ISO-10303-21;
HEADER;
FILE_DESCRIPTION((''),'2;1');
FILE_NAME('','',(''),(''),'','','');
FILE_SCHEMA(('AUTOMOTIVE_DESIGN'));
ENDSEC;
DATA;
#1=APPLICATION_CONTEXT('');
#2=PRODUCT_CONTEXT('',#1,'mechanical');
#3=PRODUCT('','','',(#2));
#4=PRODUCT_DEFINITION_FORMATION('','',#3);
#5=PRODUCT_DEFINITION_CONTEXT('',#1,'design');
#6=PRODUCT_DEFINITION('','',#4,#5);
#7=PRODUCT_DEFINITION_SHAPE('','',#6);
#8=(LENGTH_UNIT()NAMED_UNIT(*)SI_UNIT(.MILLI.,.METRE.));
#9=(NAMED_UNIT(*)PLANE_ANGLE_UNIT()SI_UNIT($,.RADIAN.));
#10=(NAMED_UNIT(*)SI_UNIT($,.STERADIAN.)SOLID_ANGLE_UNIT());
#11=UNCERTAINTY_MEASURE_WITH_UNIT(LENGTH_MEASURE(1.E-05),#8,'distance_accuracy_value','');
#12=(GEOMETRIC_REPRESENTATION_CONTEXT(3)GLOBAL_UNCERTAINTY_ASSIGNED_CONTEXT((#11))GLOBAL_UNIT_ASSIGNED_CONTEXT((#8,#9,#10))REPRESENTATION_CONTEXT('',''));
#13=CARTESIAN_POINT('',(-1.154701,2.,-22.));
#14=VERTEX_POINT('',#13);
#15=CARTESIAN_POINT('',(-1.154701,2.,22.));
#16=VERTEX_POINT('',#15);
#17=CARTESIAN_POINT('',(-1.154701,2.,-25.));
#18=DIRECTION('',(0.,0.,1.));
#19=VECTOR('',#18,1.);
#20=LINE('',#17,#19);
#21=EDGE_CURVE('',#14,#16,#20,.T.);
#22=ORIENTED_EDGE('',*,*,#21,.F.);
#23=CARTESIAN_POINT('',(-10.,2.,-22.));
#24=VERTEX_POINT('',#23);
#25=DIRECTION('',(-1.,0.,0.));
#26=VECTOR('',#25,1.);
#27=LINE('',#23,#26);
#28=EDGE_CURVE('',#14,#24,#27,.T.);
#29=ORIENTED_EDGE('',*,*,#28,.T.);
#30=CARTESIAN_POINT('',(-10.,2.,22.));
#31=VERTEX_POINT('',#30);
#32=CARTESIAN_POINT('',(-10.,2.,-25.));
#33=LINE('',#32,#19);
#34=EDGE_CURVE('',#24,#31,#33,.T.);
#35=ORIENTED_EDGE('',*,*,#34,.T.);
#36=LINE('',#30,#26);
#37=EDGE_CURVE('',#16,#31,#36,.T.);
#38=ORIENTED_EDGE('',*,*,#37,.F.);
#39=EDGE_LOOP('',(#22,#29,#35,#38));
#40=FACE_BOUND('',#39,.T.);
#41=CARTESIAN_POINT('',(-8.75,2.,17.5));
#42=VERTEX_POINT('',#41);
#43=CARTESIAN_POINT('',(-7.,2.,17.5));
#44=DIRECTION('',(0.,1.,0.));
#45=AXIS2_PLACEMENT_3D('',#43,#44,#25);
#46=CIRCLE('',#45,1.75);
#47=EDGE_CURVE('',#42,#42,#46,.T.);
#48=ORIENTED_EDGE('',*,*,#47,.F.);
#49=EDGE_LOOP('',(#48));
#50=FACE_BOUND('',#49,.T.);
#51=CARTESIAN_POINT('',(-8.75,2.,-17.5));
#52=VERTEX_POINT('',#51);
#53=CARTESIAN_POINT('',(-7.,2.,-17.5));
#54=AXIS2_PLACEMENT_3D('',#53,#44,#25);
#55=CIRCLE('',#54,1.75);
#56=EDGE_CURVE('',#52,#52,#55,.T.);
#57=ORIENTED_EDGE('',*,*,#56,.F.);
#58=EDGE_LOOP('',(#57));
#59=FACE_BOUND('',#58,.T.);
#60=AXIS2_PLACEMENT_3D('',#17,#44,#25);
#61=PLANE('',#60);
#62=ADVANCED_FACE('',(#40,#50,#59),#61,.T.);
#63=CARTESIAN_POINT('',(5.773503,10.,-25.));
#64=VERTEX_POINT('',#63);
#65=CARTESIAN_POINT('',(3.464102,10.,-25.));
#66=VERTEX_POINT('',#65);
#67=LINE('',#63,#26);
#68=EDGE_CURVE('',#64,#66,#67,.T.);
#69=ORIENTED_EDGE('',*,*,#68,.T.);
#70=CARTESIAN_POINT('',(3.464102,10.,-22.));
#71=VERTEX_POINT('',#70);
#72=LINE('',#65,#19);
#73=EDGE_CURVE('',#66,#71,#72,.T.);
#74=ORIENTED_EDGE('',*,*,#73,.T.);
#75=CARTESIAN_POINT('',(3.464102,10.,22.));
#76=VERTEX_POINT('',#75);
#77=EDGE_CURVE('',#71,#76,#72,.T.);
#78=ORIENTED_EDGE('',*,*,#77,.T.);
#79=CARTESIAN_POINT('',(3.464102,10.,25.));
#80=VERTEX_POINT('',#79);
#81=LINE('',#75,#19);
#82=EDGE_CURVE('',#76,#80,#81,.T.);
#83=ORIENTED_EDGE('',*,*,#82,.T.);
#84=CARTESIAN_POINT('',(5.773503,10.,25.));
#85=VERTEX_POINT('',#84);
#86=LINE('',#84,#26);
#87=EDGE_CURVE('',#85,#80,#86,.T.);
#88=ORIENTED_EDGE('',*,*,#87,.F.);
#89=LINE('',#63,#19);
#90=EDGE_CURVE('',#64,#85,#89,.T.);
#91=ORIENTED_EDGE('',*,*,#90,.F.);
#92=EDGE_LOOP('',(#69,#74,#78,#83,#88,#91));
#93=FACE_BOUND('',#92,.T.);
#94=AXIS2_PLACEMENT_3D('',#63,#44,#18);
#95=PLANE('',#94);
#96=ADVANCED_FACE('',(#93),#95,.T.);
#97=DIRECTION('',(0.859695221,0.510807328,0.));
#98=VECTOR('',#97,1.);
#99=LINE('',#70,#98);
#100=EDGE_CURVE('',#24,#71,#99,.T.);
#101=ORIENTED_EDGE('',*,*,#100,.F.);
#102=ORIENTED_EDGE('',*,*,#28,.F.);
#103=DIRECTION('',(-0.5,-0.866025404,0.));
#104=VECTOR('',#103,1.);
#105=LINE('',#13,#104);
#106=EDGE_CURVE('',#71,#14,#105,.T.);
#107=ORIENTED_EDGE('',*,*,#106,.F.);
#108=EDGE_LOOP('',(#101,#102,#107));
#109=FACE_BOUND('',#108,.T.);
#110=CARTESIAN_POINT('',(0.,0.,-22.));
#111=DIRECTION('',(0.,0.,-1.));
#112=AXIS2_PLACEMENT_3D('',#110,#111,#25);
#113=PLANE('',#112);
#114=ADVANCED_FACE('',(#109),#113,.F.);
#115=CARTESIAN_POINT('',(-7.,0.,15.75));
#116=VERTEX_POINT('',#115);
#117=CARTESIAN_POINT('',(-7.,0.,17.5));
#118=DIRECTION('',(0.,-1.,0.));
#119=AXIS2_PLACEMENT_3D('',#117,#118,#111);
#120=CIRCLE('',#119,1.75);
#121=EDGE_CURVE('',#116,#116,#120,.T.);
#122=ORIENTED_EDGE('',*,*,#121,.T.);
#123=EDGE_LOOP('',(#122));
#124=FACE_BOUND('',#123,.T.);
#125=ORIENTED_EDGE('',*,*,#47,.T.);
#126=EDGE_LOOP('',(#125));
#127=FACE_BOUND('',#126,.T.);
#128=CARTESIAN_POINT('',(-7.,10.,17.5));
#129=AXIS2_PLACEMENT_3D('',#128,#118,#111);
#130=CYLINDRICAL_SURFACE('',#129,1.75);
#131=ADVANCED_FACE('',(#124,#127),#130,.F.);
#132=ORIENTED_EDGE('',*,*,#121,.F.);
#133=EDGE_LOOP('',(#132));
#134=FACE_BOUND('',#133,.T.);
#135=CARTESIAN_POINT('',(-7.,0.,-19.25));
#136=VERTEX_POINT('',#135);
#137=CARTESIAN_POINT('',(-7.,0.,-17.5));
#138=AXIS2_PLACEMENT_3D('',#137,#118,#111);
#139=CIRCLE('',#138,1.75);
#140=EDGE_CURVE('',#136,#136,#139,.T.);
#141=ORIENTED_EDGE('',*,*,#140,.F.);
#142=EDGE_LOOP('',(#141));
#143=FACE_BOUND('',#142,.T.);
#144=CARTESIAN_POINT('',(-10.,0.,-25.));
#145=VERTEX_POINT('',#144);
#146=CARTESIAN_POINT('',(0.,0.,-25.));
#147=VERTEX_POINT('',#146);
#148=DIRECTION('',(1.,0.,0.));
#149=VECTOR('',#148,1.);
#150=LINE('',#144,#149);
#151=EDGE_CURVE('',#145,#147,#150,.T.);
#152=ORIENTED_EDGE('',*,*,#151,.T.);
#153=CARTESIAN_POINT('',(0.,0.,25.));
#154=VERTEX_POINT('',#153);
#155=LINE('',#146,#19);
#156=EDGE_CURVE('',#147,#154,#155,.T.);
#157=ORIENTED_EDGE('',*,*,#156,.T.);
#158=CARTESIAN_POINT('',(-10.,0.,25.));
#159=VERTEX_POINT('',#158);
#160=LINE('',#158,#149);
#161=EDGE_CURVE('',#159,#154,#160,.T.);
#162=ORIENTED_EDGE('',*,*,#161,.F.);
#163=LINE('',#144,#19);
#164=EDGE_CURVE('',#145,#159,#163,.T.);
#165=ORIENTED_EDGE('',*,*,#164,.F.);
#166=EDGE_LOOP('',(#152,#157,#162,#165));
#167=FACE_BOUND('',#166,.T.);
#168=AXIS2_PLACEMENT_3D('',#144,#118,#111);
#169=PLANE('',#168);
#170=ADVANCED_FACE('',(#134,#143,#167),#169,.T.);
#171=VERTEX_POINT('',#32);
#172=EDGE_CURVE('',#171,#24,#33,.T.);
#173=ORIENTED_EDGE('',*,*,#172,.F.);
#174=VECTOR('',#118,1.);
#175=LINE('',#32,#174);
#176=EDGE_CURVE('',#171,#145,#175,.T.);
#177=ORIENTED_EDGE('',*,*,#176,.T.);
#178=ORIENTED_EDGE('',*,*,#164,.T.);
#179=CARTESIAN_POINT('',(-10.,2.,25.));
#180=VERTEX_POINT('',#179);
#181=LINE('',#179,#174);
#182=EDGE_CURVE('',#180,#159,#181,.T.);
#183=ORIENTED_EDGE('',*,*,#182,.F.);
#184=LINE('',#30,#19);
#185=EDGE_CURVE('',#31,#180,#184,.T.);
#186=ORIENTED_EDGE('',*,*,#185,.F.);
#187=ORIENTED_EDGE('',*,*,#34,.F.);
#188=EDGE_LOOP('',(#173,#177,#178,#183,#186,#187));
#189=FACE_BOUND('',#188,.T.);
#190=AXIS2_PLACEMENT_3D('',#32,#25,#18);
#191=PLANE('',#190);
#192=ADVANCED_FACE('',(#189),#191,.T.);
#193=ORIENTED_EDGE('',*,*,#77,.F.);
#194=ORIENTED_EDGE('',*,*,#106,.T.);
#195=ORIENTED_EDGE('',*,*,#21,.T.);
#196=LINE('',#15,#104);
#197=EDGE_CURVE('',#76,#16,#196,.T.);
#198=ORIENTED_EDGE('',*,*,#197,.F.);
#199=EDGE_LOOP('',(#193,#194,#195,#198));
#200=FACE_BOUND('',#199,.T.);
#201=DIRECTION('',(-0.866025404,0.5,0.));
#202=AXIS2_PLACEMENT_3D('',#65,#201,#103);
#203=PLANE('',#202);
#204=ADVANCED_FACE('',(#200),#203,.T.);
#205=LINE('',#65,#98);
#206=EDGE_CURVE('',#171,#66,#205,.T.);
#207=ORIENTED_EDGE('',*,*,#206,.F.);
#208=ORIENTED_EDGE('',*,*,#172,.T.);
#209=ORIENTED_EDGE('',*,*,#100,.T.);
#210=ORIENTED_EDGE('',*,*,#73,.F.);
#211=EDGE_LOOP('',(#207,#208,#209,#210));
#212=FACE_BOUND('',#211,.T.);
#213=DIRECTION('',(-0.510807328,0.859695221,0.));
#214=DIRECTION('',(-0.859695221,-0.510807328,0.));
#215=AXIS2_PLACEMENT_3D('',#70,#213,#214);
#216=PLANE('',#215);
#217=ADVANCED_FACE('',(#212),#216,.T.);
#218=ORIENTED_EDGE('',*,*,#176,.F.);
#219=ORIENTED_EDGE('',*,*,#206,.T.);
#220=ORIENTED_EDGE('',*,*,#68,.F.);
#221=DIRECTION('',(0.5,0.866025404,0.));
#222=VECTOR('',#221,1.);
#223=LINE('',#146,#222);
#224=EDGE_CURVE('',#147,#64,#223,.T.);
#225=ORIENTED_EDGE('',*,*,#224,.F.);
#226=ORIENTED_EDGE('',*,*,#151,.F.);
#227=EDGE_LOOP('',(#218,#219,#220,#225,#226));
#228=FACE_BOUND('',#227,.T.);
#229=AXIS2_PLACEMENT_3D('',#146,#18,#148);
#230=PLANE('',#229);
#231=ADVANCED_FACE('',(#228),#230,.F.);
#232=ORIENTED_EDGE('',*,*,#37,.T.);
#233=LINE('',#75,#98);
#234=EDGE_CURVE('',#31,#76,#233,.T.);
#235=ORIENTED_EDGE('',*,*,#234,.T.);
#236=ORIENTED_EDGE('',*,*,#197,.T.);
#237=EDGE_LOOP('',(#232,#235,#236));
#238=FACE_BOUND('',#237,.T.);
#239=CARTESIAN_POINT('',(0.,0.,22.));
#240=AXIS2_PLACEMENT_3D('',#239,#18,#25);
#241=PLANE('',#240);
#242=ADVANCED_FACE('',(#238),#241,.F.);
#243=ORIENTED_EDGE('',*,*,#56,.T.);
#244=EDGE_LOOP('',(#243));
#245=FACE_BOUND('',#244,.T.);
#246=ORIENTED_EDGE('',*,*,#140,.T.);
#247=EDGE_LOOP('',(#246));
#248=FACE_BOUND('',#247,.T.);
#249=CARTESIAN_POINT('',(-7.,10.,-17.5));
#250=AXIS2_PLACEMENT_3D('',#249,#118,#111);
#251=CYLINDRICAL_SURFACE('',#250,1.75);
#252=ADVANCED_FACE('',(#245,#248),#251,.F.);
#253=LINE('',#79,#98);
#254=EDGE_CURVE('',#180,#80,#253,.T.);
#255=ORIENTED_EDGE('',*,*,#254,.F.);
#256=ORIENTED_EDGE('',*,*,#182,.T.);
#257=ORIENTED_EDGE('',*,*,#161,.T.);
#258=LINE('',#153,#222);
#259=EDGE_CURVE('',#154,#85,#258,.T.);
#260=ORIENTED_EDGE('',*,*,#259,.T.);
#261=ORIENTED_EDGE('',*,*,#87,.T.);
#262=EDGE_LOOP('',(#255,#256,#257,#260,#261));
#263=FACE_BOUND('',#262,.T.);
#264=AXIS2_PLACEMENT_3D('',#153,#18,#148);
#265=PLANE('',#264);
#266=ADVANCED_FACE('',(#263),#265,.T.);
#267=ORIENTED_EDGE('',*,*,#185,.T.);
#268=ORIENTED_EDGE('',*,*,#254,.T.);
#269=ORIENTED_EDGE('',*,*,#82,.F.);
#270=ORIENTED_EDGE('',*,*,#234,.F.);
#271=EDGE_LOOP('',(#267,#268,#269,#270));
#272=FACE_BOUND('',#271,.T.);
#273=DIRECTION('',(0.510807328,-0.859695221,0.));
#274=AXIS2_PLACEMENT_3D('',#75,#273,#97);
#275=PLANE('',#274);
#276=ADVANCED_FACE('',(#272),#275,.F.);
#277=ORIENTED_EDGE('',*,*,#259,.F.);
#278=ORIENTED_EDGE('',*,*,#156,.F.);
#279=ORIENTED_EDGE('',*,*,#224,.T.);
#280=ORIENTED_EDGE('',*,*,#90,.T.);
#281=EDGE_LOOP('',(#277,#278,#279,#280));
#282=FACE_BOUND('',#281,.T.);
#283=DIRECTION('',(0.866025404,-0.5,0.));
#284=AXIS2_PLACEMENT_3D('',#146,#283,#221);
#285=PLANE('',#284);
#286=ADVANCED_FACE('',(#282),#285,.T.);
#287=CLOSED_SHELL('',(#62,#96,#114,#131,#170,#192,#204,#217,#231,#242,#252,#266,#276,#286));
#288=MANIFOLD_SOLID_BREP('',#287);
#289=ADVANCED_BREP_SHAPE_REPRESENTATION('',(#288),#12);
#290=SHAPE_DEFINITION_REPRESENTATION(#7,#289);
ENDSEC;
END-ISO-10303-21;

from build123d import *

# Parameters (mm, degrees)
BOSS_EXTRUDE1_DEPTH      = 25
BOSS_EXTRUDE1_DEPTH_BACK = 25
SKETCH2_R                = 1.75
CUT_EXTRUDE1_DEPTH       = 29.722813233
BOSS_EXTRUDE2_DEPTH      = 3


with BuildPart() as part:
    # Sketch1 → Boss-Extrude1 (new, two sides: drawn at the far end of the back side and taken through both)
    with BuildSketch(Plane.XY.offset(-BOSS_EXTRUDE1_DEPTH_BACK)):
        Polygon((-10, 0), (0, 0), (5.773502692, 10), (3.464101615, 10), (-1.154700538, 2), (-10, 2), align=None)
    extrude(amount=BOSS_EXTRUDE1_DEPTH + BOSS_EXTRUDE1_DEPTH_BACK)

    # Sketch2 → Cut-Extrude1 (cut, through all)
    with BuildSketch(Plane.XZ):
        with Locations((-7, 17.5)):
            Circle(SKETCH2_R)
        with Locations((-7, -17.5)):
            Circle(SKETCH2_R)
    extrude(amount=-CUT_EXTRUDE1_DEPTH, mode=Mode.SUBTRACT)

    # Sketch3 → Boss-Extrude2 (add)
    with BuildSketch(Plane(origin=(0, 0, -25), x_dir=(-1, 0, 0), z_dir=(0, 0, -1))):
        Polygon((-3.464101615, 10), (10, 2), (1.154700538, 2), align=None)
    boss_extrude2 = extrude(amount=-BOSS_EXTRUDE2_DEPTH)

    # Mirror1: Boss-Extrude2 across plane
    add(boss_extrude2.mirror(Plane.XY))


solid = part.part
